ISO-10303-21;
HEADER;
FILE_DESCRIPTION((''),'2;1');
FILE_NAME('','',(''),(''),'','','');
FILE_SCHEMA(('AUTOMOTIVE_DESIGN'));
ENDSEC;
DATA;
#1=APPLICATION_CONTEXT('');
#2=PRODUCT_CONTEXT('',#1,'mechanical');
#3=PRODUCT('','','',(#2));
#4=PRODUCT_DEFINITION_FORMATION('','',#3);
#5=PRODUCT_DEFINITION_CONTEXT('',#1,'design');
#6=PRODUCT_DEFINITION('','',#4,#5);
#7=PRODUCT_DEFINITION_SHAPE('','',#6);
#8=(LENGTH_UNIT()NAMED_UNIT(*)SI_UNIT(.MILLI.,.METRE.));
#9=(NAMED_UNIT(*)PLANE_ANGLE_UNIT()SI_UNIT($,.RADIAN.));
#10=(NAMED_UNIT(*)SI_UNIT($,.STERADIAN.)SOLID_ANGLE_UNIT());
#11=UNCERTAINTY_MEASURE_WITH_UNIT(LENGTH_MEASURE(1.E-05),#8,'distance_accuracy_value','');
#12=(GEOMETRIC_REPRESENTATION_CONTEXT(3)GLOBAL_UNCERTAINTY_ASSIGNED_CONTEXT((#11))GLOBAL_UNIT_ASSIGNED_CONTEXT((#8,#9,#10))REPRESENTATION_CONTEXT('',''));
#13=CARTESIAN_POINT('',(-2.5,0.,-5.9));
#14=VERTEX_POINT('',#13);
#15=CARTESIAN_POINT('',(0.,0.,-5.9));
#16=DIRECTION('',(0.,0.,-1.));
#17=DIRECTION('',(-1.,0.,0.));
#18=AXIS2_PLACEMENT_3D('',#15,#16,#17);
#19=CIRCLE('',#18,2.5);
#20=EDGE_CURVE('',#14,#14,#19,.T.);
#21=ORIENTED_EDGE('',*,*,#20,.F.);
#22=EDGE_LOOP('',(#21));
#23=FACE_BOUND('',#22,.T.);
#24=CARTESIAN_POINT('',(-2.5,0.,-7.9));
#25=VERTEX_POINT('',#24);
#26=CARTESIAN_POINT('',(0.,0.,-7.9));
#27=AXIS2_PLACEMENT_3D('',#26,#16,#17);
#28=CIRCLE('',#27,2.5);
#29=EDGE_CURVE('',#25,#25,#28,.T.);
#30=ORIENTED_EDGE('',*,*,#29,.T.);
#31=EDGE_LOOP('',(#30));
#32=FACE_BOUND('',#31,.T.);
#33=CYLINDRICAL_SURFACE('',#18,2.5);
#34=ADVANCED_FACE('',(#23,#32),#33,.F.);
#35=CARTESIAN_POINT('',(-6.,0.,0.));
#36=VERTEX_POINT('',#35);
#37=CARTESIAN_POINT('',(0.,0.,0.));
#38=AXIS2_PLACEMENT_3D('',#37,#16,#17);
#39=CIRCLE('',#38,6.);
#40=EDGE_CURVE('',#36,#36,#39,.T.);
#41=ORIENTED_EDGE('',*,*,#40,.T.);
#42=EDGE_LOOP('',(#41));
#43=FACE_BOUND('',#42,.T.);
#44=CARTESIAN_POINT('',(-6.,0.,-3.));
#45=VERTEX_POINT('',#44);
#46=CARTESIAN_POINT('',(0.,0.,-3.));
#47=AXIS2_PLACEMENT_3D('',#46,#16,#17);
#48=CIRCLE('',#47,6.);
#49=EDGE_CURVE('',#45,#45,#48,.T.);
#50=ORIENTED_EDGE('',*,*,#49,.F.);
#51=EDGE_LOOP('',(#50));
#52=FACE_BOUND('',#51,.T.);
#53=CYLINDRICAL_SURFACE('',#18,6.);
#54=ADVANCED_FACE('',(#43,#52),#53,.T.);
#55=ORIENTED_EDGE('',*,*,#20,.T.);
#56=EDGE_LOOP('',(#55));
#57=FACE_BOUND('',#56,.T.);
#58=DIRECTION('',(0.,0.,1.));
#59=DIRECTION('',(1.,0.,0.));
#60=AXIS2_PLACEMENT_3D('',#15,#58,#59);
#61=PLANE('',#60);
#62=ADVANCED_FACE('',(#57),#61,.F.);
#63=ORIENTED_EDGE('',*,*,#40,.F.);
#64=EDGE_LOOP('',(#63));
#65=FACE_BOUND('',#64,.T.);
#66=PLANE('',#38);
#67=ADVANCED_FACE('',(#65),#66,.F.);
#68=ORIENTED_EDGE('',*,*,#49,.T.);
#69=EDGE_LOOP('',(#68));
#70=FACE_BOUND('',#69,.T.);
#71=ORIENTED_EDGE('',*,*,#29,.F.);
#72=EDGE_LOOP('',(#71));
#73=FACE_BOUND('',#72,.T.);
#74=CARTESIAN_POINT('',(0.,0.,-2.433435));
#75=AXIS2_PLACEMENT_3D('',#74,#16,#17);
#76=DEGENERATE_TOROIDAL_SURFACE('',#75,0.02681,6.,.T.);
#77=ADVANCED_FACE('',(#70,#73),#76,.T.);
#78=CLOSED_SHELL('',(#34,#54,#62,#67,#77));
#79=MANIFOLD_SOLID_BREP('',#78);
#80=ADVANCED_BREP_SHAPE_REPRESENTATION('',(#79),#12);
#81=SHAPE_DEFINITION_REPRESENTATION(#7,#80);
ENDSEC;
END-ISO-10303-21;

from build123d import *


with BuildPart() as part:
    # Sketch4 → Revolve1 (revolve)
    with BuildSketch(Plane(origin=(0, 0, 0), x_dir=(1, 0, 0), z_dir=(0, 1, 0))):
        with BuildLine():
            Line((0, 5.9), (2.5, 5.9))
            Line((2.5, 5.9), (2.5, 7.9))
            ThreePointArc((2.5, 7.9), (4.909210346, 5.920864533), (6, 3))
            Line((6, 3), (6, 0))
            Line((6, 0), (0, 0))
            Line((0, 0), (0, 5.9))
        make_face()
    revolve(axis=Axis((0, 0, -5.9), (0, 0, 1)))


solid = part.part
